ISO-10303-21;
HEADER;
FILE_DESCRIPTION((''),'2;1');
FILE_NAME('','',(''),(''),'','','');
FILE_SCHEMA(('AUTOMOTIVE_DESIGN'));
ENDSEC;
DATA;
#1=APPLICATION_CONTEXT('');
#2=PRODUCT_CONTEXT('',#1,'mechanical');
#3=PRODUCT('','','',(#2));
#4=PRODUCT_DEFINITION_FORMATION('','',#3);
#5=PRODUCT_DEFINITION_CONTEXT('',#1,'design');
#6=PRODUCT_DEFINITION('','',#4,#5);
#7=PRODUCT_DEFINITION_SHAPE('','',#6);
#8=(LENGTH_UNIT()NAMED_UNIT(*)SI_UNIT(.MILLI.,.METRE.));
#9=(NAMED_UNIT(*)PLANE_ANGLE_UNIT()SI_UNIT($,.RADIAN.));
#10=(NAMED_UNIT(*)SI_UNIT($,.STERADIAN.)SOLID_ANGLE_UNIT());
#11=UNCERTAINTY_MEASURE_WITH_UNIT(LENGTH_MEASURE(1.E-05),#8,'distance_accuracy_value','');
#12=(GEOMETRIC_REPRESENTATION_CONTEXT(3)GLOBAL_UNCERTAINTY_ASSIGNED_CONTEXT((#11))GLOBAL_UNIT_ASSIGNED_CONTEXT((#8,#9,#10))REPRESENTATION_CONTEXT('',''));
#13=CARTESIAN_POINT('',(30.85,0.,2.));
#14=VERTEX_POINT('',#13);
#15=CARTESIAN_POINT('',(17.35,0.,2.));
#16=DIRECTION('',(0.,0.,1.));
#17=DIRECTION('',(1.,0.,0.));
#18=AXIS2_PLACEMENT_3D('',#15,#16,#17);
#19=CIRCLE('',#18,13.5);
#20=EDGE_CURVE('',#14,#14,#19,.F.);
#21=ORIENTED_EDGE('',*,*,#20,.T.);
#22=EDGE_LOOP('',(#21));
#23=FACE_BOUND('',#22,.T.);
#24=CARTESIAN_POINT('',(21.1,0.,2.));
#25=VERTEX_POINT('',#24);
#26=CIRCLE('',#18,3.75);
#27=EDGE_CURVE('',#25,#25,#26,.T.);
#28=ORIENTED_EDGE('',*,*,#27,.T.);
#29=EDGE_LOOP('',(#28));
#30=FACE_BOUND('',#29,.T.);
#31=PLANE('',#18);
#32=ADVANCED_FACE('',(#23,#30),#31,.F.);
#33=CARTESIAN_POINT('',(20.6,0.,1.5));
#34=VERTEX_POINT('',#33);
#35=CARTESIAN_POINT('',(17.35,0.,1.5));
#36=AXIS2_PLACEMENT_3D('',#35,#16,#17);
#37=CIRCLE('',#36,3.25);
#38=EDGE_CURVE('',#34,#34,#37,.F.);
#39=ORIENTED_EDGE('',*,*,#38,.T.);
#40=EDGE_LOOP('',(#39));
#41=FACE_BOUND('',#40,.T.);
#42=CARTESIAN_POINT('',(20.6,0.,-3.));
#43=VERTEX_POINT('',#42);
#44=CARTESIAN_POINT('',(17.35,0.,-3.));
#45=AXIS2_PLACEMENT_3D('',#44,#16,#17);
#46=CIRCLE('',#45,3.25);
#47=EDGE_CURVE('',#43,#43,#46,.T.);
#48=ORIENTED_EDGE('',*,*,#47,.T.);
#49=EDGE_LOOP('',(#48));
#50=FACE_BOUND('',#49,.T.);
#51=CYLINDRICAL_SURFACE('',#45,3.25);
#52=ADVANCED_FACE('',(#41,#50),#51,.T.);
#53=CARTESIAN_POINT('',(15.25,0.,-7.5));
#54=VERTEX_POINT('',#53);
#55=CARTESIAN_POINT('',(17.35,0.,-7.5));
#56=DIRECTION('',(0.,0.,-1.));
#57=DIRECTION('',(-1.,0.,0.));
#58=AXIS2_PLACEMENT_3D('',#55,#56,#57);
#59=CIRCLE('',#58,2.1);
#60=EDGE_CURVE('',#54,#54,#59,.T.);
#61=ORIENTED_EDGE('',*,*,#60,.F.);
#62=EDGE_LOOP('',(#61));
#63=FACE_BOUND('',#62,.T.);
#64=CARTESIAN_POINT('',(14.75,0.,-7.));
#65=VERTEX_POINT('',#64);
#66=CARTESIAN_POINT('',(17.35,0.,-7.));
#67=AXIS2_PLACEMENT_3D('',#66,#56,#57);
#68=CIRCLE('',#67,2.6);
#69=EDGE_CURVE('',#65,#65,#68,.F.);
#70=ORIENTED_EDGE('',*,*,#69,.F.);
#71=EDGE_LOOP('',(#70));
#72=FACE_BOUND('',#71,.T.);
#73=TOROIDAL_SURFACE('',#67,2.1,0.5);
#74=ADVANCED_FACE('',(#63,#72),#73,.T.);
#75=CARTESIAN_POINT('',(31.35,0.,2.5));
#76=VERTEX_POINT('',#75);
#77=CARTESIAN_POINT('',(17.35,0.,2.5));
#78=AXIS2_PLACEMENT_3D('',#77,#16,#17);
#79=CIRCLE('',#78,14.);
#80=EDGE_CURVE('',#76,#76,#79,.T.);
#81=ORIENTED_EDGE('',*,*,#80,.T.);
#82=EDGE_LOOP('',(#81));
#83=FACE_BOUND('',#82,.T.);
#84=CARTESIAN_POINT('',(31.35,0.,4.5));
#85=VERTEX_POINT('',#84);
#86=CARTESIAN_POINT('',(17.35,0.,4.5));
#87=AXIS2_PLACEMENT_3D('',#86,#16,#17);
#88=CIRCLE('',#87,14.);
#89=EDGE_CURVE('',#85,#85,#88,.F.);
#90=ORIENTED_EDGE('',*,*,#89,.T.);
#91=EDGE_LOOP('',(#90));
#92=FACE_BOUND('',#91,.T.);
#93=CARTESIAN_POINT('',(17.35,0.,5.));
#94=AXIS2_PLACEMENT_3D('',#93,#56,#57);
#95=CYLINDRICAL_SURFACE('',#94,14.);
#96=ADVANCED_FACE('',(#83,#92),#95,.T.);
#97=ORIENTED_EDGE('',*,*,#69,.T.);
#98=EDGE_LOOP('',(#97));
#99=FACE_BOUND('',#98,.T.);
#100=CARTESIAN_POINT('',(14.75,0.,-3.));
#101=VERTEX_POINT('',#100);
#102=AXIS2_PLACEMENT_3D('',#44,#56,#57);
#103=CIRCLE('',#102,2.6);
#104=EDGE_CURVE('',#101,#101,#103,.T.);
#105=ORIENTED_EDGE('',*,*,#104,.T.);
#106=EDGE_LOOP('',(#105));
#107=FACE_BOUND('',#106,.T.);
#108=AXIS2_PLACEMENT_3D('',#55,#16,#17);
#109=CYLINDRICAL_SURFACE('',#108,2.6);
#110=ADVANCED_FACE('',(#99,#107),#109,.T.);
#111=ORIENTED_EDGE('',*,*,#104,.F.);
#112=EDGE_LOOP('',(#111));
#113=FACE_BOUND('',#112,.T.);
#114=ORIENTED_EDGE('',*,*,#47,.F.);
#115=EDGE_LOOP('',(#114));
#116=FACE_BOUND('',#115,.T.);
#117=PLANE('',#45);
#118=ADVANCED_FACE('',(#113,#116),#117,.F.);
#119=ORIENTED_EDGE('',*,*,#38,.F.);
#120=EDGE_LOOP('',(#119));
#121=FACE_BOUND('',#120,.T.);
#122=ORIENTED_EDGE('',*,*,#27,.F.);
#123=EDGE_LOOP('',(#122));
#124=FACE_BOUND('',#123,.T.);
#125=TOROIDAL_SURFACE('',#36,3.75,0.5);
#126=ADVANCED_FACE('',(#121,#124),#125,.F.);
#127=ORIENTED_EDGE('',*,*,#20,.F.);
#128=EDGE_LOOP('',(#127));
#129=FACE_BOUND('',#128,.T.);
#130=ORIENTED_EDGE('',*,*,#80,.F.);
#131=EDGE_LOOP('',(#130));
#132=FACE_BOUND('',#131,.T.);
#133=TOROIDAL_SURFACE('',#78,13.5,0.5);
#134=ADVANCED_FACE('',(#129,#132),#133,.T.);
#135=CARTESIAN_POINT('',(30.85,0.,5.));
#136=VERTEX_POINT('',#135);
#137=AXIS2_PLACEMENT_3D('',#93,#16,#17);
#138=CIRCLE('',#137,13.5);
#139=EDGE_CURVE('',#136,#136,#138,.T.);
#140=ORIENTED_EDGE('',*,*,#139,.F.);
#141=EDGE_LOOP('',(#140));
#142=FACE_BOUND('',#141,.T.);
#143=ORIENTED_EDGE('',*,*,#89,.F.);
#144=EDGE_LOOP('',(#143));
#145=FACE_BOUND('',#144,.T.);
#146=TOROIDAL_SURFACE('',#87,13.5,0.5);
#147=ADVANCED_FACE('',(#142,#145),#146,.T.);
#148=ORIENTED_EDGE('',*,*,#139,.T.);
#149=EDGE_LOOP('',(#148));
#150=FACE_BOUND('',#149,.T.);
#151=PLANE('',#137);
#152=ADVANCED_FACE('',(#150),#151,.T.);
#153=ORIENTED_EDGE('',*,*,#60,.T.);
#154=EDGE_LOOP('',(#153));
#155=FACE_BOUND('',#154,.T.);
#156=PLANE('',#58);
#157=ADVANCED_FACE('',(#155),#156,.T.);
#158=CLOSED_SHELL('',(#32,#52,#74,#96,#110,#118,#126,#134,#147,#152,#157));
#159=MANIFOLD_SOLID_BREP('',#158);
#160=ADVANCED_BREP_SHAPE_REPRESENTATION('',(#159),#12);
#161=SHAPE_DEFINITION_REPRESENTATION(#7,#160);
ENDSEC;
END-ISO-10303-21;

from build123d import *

# Parameters (mm, degrees)
BOSS_EXTRUDE1_DEPTH      = 2
BOSS_EXTRUDE1_DEPTH_BACK = 3
SKETCH1_R                = 3.25
SKETCH2_R                = 14
BOSS_EXTRUDE2_DEPTH      = 3
SKETCH3_R                = 2.6
BOSS_EXTRUDE3_DEPTH      = 4.5
FILLET1_R                = 0.5


with BuildPart() as part:
    # Sketch1 → Boss-Extrude1 (new, two sides: drawn at the far end of the back side and taken through both)
    with BuildSketch(Plane.XY.offset(-BOSS_EXTRUDE1_DEPTH_BACK)):
        with Locations((17.35, 0)):
            Circle(SKETCH1_R)
    extrude(amount=BOSS_EXTRUDE1_DEPTH + BOSS_EXTRUDE1_DEPTH_BACK)

    # Sketch2 → Boss-Extrude2 (add)
    with BuildSketch(Plane.XY.offset(2)):
        with Locations((17.35, 0)):
            Circle(SKETCH2_R)
    extrude(amount=BOSS_EXTRUDE2_DEPTH)

    # Sketch3 → Boss-Extrude3 (add)
    with BuildSketch(Plane(origin=(0, 0, -3), x_dir=(-1, 0, 0), z_dir=(0, 0, -1))):
        with Locations((-17.35, 0)):
            Circle(SKETCH3_R)
    extrude(amount=BOSS_EXTRUDE3_DEPTH)

    # Fillet1
    fillet1_edges = [part.edges().sort_by_distance(p)[0] for p in [
        (19.95, 0, -7.5),
        (14.1, 0, 2),
        (3.35, 0, 2),
        (3.35, 0, 5),
    ]]
    fillet(fillet1_edges, radius=FILLET1_R)


solid = part.part
